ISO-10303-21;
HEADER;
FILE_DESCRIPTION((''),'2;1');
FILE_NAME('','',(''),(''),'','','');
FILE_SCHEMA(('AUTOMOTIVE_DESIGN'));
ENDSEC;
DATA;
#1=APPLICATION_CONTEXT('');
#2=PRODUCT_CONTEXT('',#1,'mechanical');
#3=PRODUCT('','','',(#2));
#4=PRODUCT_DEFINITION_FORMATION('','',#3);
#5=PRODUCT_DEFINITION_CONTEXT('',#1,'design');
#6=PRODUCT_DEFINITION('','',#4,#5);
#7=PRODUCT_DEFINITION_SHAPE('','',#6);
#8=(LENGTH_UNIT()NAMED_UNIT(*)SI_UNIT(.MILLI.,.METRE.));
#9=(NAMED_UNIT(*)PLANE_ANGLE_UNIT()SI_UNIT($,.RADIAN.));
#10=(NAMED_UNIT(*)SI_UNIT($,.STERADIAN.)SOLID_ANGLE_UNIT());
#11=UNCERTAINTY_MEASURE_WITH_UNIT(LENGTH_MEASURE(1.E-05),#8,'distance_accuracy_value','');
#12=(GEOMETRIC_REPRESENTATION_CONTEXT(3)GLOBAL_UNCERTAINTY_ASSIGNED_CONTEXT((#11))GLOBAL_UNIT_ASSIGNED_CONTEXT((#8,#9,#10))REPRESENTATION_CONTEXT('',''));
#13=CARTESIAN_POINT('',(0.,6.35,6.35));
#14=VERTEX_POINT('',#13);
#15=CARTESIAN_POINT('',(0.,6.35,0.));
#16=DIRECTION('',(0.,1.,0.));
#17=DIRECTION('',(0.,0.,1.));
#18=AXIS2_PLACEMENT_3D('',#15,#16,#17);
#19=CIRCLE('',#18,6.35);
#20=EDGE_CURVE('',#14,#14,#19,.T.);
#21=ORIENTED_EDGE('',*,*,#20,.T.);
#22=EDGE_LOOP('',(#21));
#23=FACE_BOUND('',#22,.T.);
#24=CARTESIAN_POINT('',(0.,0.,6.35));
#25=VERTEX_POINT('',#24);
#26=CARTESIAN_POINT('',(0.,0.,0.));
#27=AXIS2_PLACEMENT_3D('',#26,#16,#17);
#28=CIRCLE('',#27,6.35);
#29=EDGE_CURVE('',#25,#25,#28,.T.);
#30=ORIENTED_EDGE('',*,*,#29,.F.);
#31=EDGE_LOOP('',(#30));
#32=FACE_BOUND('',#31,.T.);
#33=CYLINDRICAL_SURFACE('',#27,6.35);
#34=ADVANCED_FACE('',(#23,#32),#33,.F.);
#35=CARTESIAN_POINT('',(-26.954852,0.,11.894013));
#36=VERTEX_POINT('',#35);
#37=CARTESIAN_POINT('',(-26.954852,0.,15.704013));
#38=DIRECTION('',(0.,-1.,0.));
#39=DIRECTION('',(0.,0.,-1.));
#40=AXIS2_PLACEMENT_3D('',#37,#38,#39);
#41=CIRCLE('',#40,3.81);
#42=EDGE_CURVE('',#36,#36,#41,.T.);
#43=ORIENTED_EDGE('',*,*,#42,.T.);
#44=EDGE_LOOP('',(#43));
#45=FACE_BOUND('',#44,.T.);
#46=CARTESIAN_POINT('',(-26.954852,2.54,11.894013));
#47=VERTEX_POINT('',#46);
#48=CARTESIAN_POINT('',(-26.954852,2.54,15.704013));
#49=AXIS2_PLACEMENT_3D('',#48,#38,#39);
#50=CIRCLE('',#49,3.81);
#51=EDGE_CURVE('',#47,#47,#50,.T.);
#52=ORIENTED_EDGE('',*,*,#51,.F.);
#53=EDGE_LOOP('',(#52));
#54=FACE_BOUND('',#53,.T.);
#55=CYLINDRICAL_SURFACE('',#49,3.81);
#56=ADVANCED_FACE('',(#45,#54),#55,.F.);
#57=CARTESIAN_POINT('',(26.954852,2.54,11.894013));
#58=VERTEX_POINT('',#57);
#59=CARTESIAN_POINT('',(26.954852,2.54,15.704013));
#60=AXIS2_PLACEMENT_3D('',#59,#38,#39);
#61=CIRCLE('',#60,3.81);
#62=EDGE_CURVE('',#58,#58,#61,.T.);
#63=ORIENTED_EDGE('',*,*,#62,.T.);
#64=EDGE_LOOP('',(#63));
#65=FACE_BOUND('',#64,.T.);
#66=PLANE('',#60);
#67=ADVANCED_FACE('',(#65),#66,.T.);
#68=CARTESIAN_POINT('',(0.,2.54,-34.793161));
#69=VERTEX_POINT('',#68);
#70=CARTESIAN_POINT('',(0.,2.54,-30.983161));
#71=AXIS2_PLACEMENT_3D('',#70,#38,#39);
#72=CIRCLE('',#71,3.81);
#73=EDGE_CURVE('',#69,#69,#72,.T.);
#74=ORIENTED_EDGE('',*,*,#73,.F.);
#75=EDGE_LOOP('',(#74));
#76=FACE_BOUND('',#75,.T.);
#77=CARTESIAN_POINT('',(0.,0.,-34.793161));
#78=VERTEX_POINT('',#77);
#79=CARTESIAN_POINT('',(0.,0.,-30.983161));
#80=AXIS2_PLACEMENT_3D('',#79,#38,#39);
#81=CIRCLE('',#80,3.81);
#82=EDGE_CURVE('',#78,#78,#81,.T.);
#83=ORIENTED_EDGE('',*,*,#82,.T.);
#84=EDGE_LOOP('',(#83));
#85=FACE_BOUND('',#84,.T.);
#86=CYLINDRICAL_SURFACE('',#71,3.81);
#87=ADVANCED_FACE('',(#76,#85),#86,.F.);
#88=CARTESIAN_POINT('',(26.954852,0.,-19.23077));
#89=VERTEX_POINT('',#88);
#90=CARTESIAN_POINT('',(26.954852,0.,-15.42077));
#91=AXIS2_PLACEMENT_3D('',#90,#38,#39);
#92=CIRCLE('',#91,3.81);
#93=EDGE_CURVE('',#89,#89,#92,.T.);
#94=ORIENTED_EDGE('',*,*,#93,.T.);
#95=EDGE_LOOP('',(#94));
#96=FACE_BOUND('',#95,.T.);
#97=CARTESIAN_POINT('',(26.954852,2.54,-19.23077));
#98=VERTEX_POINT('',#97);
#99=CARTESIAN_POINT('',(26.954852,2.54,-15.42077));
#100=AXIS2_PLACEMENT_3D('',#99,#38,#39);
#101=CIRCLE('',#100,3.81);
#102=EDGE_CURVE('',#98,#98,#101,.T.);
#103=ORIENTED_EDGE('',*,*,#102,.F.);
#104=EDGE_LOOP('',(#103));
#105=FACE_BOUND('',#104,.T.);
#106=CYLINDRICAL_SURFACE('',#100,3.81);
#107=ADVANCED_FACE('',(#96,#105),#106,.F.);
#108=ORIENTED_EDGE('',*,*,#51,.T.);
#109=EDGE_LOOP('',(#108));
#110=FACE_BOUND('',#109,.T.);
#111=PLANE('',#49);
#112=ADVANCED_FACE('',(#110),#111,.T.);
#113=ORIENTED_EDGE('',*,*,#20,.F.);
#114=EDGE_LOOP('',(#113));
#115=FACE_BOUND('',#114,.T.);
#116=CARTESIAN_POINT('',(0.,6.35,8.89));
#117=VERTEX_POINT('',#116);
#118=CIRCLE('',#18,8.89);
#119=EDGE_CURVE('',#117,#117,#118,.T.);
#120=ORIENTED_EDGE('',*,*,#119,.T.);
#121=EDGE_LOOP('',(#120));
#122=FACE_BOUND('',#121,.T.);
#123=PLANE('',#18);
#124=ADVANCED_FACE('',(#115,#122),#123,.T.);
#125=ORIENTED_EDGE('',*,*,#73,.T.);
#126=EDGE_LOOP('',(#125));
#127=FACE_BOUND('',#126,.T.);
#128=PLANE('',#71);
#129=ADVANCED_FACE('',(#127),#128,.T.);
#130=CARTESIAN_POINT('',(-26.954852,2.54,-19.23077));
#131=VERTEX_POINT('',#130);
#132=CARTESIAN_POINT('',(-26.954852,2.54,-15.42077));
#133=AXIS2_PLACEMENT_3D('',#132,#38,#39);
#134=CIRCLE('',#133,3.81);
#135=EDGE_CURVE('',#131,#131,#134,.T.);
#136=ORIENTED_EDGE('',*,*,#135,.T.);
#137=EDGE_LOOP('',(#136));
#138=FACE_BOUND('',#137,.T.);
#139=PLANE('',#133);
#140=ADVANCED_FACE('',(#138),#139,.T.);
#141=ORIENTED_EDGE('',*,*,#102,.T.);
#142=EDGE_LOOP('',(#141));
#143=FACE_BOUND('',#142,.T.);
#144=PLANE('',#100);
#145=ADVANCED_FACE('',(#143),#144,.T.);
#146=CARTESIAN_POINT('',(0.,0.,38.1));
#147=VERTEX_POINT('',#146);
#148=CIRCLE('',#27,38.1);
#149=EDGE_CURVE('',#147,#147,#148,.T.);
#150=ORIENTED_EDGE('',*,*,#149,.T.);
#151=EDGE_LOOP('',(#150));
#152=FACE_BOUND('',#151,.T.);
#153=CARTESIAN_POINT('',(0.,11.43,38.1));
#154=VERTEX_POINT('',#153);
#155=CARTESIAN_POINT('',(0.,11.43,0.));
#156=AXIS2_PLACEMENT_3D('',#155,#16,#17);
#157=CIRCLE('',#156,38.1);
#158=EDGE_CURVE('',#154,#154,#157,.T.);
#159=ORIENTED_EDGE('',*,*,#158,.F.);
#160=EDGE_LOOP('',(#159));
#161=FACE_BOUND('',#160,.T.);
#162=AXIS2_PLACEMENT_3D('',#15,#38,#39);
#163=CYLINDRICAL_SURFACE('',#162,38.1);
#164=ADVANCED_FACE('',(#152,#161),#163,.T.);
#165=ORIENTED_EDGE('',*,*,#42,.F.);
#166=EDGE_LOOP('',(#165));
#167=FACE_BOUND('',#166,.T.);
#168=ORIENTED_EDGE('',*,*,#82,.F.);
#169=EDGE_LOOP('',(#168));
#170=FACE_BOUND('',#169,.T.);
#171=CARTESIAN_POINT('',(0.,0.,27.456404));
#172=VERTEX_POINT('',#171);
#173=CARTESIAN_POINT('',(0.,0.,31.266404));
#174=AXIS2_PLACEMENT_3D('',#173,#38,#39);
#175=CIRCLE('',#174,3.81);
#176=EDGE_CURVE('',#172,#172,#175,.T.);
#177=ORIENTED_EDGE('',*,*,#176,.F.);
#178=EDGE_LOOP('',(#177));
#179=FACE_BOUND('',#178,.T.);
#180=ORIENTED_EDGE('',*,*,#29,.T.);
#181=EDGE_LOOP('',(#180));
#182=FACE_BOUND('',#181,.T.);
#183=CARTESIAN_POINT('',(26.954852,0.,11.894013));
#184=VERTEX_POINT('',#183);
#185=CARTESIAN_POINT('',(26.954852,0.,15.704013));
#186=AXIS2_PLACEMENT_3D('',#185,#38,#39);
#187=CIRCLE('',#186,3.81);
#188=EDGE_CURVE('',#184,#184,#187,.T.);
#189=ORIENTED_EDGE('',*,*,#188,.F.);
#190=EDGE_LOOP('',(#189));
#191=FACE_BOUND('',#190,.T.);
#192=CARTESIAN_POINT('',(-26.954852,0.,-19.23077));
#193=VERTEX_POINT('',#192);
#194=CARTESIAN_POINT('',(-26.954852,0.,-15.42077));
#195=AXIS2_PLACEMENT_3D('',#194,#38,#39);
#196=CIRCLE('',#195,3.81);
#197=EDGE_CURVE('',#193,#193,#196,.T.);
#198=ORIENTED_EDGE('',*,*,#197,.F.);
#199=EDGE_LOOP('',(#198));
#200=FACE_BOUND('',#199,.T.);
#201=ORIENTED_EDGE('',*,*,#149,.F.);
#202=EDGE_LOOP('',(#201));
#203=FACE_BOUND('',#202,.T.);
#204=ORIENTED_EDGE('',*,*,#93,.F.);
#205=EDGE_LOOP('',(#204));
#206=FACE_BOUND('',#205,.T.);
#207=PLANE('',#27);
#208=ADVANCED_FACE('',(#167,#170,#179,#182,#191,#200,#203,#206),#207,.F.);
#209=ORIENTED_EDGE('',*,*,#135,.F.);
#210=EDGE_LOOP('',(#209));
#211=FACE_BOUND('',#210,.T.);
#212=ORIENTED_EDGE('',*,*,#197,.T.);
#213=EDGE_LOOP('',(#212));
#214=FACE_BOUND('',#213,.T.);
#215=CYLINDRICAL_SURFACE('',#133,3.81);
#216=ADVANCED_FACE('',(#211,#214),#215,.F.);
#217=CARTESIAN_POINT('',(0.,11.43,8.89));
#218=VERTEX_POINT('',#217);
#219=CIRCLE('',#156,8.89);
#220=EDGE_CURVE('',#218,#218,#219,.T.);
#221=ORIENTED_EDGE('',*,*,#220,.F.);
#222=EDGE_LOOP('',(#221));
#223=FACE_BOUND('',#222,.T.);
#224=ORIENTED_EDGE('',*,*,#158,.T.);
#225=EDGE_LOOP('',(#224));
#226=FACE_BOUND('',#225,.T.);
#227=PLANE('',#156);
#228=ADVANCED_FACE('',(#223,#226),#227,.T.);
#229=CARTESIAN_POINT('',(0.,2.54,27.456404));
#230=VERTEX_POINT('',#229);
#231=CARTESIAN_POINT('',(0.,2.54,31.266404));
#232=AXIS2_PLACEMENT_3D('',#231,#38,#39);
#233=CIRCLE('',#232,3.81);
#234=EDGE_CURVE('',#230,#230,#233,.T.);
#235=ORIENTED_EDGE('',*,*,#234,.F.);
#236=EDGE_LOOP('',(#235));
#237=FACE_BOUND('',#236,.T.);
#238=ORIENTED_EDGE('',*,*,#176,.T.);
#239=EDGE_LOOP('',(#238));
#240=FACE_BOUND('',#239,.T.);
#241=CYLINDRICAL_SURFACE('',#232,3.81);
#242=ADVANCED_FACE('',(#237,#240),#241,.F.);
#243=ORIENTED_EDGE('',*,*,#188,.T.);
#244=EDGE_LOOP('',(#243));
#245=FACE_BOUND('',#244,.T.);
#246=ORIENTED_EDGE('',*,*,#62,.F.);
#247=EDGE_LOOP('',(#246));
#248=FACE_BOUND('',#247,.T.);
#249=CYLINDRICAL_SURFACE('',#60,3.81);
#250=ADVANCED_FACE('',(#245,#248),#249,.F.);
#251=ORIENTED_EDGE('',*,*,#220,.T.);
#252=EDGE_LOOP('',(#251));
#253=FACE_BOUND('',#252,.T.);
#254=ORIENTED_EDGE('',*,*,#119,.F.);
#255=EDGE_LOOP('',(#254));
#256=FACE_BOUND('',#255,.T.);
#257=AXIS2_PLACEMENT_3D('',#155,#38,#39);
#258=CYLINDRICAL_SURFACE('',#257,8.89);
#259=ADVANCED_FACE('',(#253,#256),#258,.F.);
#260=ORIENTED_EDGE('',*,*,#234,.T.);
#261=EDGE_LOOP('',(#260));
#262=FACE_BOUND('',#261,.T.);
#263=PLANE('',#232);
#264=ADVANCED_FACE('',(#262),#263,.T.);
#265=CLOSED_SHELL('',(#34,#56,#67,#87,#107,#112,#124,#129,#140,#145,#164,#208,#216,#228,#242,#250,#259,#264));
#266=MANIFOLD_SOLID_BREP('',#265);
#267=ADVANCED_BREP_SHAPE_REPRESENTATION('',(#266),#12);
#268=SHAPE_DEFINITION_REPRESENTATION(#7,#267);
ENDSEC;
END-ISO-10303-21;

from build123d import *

# Parameters (mm, degrees)
SKETCH1_R           = 38.1
SKETCH1_R_2         = 25.4
BOSS_EXTRUDE3_DEPTH = 6.35
SKETCH1_3_R         = 25.4
BOSS_EXTRUDE4_DEPTH = 6.35
SKETCH2_R           = 3.81
CUT_EXTRUDE1_DEPTH  = 2.54
SKETCH3_R           = 6.35
CUT_EXTRUDE2_DEPTH  = 55.254423783
SKETCH4_R           = 38.1
SKETCH4_R_2         = 8.89
BOSS_EXTRUDE5_DEPTH = 5.08


with BuildPart() as part:
    # Sketch1 → Boss-Extrude3 (new body)
    with BuildSketch(Plane(origin=(0, 0, 0), x_dir=(1, 0, 0), z_dir=(0, 1, 0))):
        Circle(SKETCH1_R)
        Circle(SKETCH1_R_2, mode=Mode.SUBTRACT)
    extrude(amount=BOSS_EXTRUDE3_DEPTH)

    # Sketch1<3> → Boss-Extrude4 (add)
    with BuildSketch(Plane(origin=(0, 0, 0), x_dir=(1, 0, 0), z_dir=(0, 1, 0))):
        Circle(SKETCH1_3_R)
    extrude(amount=BOSS_EXTRUDE4_DEPTH)

    # Sketch2 → Cut-Extrude1 (cut)
    with BuildSketch(Plane.XZ):
        with Locations((0, 31.266403726)):
            Circle(SKETCH2_R)
        with Locations((26.954852036, 15.704012647)):
            Circle(SKETCH2_R)
        with Locations((26.954852036, -15.420769511)):
            Circle(SKETCH2_R)
        with Locations((0, -30.98316059)):
            Circle(SKETCH2_R)
        with Locations((-26.954852036, -15.420769511)):
            Circle(SKETCH2_R)
        with Locations((-26.954852036, 15.704012647)):
            Circle(SKETCH2_R)
    extrude(amount=-CUT_EXTRUDE1_DEPTH, mode=Mode.SUBTRACT)

    # Sketch3 → Cut-Extrude2 (cut, through all)
    with BuildSketch(Plane(origin=(0, 6.35, 0), x_dir=(1, 0, 0), z_dir=(0, 1, 0))):
        Circle(SKETCH3_R)
    extrude(amount=-CUT_EXTRUDE2_DEPTH, mode=Mode.SUBTRACT)

    # Sketch4 → Boss-Extrude5 (add)
    with BuildSketch(Plane(origin=(0, 6.35, 0), x_dir=(1, 0, 0), z_dir=(0, 1, 0))):
        Circle(SKETCH4_R)
        Circle(SKETCH4_R_2, mode=Mode.SUBTRACT)
    extrude(amount=BOSS_EXTRUDE5_DEPTH)


solid = part.part
